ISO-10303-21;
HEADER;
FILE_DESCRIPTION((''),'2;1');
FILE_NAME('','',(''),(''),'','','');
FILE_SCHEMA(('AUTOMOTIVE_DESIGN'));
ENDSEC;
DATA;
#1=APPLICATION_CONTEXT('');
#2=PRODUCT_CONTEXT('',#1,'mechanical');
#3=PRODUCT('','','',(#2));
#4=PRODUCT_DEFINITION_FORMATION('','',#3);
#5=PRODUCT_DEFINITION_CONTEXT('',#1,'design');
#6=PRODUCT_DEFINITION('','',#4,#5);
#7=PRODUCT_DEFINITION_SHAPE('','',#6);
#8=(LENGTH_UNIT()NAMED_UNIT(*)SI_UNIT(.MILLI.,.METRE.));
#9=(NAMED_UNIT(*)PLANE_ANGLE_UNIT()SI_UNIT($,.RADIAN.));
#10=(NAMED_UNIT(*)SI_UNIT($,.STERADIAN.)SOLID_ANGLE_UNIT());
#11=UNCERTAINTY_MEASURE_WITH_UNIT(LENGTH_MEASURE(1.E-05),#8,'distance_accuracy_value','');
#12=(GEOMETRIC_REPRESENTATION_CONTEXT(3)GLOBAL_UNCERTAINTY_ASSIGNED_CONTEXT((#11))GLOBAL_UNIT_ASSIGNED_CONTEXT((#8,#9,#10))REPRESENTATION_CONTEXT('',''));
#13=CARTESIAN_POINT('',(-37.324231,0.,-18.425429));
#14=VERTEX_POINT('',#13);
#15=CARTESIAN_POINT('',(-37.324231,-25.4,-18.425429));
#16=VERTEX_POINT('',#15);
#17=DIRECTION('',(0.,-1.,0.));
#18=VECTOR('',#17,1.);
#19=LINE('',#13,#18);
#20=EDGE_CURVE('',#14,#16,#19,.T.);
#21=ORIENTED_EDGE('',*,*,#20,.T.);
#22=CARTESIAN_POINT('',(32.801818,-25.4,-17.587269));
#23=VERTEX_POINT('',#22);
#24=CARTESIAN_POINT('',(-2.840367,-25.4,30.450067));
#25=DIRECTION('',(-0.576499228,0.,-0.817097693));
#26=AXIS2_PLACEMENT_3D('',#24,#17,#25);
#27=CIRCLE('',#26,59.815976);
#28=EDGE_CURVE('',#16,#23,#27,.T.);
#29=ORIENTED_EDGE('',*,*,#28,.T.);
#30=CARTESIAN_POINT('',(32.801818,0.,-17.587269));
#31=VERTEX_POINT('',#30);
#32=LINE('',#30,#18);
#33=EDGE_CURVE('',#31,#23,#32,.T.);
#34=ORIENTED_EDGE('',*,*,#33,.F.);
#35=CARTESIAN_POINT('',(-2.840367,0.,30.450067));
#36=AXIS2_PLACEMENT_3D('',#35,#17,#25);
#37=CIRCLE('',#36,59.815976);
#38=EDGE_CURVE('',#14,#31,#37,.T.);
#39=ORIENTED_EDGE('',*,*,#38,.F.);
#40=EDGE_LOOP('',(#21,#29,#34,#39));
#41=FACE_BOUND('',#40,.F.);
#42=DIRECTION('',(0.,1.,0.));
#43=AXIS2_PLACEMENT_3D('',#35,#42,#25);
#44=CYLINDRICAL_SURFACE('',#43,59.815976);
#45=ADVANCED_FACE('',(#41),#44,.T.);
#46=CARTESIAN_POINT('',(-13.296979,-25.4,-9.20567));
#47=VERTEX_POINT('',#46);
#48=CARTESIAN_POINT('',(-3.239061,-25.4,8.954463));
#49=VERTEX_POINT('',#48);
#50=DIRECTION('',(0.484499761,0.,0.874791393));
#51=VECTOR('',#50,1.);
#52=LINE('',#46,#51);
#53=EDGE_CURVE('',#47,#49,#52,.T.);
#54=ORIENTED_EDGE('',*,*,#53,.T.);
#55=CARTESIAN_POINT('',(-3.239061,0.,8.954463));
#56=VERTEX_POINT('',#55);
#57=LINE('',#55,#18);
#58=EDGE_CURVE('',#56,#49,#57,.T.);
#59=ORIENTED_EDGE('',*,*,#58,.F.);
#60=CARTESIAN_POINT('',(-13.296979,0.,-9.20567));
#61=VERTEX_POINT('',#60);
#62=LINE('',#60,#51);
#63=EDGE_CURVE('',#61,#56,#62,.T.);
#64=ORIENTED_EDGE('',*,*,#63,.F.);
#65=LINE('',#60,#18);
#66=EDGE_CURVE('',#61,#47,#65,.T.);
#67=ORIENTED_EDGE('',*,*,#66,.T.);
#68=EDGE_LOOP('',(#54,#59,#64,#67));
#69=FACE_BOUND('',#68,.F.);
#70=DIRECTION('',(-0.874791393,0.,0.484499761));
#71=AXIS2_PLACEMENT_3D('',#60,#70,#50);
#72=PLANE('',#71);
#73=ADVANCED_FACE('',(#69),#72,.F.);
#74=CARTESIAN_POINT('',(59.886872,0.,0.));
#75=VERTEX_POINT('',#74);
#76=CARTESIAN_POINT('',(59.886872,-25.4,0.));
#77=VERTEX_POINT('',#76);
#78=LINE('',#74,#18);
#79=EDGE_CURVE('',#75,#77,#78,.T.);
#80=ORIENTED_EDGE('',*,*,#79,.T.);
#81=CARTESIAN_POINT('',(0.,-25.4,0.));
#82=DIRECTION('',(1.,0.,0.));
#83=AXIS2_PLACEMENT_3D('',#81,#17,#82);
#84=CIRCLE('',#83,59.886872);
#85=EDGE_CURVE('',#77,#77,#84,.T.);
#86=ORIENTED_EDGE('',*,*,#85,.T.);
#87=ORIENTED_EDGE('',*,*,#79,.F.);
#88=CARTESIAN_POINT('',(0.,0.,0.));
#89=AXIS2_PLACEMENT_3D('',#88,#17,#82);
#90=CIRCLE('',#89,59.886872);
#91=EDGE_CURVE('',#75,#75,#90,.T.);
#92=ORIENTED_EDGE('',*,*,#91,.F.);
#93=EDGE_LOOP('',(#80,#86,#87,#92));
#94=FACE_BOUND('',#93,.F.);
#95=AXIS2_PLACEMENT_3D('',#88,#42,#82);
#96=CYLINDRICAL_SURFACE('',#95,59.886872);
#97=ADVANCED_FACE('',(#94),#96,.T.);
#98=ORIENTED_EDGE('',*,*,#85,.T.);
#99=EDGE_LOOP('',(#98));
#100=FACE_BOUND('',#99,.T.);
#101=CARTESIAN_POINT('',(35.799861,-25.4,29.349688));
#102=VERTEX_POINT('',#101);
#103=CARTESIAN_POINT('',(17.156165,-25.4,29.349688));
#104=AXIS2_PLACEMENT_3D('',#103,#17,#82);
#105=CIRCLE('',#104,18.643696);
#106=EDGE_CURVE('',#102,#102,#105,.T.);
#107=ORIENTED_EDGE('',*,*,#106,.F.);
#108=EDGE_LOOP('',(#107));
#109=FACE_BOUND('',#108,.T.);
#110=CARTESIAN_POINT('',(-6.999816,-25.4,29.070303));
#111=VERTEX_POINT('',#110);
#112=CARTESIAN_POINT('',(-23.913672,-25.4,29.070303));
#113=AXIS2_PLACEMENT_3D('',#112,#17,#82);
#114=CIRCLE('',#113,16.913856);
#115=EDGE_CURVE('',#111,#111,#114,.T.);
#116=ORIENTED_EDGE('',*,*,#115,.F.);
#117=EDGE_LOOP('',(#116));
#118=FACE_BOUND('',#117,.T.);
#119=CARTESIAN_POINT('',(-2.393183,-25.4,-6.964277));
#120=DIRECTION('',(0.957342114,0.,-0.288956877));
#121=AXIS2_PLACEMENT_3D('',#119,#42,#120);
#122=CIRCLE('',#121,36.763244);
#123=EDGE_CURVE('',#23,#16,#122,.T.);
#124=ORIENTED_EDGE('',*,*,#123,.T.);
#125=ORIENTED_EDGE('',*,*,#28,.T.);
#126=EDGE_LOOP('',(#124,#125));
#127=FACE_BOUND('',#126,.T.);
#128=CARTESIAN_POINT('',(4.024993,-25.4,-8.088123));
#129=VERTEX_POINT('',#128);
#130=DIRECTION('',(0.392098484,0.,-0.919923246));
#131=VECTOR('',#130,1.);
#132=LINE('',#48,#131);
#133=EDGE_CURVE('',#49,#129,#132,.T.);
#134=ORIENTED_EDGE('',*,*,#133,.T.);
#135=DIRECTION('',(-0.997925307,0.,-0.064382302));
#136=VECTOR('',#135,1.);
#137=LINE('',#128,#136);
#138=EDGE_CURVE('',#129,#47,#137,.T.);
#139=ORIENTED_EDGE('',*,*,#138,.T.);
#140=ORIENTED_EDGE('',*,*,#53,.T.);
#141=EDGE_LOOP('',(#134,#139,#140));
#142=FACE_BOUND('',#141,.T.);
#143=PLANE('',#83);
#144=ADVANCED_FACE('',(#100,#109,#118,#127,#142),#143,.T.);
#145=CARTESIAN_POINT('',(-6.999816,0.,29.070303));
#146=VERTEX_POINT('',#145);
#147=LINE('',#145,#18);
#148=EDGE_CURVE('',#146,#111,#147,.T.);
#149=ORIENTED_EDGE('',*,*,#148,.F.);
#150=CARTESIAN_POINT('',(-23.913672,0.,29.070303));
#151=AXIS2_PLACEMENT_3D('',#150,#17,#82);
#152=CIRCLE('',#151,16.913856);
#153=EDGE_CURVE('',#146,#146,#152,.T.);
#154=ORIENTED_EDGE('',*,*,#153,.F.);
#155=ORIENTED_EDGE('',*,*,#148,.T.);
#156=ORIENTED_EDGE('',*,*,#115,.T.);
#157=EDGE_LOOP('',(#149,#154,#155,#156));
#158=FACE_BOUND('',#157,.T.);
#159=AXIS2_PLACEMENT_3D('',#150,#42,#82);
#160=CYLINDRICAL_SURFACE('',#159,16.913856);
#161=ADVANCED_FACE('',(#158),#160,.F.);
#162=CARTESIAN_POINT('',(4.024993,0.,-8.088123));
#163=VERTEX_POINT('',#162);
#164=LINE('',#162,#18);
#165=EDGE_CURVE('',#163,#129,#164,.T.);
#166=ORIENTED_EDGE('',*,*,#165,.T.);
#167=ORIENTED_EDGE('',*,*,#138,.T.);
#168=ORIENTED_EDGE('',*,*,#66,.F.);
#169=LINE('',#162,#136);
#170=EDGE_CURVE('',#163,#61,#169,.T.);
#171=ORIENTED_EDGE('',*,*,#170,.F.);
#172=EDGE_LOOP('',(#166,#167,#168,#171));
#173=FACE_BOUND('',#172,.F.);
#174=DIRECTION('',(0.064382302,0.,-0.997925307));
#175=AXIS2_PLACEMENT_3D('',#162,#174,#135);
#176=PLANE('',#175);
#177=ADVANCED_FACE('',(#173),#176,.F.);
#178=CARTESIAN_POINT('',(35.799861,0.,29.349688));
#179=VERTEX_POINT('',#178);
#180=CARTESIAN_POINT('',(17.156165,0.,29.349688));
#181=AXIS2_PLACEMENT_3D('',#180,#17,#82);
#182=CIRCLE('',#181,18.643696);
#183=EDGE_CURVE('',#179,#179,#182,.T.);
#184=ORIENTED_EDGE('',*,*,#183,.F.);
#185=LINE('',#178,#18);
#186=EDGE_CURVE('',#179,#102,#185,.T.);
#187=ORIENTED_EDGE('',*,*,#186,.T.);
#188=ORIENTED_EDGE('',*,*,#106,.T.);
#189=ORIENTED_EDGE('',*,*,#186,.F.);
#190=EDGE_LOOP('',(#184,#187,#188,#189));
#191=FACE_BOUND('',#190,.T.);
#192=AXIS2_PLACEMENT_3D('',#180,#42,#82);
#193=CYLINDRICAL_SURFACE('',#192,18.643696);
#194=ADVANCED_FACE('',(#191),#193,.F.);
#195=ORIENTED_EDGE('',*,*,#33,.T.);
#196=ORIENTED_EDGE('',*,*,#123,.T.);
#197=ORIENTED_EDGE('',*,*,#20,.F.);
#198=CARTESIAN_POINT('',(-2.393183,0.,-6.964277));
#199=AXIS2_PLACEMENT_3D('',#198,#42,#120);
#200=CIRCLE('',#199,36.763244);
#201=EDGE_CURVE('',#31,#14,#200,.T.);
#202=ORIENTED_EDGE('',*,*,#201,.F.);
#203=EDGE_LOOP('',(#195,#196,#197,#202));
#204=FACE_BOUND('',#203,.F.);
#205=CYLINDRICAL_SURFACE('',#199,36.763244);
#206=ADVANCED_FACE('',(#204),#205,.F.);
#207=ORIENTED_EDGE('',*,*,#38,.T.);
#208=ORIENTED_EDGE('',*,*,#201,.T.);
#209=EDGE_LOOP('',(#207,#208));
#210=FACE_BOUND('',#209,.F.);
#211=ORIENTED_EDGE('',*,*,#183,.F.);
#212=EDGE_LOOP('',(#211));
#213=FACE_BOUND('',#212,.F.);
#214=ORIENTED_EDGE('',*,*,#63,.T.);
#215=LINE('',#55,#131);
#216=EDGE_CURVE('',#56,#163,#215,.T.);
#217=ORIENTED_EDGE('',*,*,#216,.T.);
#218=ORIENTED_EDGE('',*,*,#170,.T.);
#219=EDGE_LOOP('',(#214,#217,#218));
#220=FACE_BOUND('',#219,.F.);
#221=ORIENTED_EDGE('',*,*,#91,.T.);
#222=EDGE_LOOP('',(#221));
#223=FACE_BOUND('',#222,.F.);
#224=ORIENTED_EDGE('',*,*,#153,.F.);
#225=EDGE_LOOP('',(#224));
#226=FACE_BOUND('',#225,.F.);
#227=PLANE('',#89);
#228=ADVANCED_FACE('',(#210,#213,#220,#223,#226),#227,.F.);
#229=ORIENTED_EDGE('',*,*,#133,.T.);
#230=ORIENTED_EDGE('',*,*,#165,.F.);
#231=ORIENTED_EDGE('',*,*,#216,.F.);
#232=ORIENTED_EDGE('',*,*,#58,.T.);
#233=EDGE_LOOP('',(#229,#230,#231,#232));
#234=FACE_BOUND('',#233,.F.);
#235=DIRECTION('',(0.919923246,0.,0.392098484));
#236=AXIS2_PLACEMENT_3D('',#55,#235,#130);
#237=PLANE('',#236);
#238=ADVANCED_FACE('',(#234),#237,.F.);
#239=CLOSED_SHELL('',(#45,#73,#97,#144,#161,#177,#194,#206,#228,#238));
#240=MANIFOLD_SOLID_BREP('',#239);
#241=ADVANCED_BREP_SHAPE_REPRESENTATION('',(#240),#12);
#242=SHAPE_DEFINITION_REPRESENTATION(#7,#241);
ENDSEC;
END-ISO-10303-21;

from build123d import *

# Parameters (mm, degrees)
F0_R     = 59.886872
F0_R_2   = 16.913856
F0_R_3   = 18.643696
F1_DEPTH = 25.4


with BuildPart() as f1:
    # F0 (on Front) → F1 (new body)
    with BuildSketch(Plane.XZ):
        Circle(F0_R)
        with BuildLine():
            ThreePointArc((32.801818, -17.587269), (-1.953813, -43.724895), (-37.324231, -18.425429))
            ThreePointArc((-37.324231, -18.425429), (-2.125486, -29.361637), (32.801818, -17.587269))
        make_face(mode=Mode.SUBTRACT)
        Polygon((4.024993, -8.088123), (-13.296979, -9.20567), (-3.239061, 8.954463), align=None, mode=Mode.SUBTRACT)
        with Locations((-23.913672, 29.070303)):
            Circle(F0_R_2, mode=Mode.SUBTRACT)
        with Locations((17.156165, 29.349688)):
            Circle(F0_R_3, mode=Mode.SUBTRACT)
    extrude(amount=F1_DEPTH)


solid = f1.part
